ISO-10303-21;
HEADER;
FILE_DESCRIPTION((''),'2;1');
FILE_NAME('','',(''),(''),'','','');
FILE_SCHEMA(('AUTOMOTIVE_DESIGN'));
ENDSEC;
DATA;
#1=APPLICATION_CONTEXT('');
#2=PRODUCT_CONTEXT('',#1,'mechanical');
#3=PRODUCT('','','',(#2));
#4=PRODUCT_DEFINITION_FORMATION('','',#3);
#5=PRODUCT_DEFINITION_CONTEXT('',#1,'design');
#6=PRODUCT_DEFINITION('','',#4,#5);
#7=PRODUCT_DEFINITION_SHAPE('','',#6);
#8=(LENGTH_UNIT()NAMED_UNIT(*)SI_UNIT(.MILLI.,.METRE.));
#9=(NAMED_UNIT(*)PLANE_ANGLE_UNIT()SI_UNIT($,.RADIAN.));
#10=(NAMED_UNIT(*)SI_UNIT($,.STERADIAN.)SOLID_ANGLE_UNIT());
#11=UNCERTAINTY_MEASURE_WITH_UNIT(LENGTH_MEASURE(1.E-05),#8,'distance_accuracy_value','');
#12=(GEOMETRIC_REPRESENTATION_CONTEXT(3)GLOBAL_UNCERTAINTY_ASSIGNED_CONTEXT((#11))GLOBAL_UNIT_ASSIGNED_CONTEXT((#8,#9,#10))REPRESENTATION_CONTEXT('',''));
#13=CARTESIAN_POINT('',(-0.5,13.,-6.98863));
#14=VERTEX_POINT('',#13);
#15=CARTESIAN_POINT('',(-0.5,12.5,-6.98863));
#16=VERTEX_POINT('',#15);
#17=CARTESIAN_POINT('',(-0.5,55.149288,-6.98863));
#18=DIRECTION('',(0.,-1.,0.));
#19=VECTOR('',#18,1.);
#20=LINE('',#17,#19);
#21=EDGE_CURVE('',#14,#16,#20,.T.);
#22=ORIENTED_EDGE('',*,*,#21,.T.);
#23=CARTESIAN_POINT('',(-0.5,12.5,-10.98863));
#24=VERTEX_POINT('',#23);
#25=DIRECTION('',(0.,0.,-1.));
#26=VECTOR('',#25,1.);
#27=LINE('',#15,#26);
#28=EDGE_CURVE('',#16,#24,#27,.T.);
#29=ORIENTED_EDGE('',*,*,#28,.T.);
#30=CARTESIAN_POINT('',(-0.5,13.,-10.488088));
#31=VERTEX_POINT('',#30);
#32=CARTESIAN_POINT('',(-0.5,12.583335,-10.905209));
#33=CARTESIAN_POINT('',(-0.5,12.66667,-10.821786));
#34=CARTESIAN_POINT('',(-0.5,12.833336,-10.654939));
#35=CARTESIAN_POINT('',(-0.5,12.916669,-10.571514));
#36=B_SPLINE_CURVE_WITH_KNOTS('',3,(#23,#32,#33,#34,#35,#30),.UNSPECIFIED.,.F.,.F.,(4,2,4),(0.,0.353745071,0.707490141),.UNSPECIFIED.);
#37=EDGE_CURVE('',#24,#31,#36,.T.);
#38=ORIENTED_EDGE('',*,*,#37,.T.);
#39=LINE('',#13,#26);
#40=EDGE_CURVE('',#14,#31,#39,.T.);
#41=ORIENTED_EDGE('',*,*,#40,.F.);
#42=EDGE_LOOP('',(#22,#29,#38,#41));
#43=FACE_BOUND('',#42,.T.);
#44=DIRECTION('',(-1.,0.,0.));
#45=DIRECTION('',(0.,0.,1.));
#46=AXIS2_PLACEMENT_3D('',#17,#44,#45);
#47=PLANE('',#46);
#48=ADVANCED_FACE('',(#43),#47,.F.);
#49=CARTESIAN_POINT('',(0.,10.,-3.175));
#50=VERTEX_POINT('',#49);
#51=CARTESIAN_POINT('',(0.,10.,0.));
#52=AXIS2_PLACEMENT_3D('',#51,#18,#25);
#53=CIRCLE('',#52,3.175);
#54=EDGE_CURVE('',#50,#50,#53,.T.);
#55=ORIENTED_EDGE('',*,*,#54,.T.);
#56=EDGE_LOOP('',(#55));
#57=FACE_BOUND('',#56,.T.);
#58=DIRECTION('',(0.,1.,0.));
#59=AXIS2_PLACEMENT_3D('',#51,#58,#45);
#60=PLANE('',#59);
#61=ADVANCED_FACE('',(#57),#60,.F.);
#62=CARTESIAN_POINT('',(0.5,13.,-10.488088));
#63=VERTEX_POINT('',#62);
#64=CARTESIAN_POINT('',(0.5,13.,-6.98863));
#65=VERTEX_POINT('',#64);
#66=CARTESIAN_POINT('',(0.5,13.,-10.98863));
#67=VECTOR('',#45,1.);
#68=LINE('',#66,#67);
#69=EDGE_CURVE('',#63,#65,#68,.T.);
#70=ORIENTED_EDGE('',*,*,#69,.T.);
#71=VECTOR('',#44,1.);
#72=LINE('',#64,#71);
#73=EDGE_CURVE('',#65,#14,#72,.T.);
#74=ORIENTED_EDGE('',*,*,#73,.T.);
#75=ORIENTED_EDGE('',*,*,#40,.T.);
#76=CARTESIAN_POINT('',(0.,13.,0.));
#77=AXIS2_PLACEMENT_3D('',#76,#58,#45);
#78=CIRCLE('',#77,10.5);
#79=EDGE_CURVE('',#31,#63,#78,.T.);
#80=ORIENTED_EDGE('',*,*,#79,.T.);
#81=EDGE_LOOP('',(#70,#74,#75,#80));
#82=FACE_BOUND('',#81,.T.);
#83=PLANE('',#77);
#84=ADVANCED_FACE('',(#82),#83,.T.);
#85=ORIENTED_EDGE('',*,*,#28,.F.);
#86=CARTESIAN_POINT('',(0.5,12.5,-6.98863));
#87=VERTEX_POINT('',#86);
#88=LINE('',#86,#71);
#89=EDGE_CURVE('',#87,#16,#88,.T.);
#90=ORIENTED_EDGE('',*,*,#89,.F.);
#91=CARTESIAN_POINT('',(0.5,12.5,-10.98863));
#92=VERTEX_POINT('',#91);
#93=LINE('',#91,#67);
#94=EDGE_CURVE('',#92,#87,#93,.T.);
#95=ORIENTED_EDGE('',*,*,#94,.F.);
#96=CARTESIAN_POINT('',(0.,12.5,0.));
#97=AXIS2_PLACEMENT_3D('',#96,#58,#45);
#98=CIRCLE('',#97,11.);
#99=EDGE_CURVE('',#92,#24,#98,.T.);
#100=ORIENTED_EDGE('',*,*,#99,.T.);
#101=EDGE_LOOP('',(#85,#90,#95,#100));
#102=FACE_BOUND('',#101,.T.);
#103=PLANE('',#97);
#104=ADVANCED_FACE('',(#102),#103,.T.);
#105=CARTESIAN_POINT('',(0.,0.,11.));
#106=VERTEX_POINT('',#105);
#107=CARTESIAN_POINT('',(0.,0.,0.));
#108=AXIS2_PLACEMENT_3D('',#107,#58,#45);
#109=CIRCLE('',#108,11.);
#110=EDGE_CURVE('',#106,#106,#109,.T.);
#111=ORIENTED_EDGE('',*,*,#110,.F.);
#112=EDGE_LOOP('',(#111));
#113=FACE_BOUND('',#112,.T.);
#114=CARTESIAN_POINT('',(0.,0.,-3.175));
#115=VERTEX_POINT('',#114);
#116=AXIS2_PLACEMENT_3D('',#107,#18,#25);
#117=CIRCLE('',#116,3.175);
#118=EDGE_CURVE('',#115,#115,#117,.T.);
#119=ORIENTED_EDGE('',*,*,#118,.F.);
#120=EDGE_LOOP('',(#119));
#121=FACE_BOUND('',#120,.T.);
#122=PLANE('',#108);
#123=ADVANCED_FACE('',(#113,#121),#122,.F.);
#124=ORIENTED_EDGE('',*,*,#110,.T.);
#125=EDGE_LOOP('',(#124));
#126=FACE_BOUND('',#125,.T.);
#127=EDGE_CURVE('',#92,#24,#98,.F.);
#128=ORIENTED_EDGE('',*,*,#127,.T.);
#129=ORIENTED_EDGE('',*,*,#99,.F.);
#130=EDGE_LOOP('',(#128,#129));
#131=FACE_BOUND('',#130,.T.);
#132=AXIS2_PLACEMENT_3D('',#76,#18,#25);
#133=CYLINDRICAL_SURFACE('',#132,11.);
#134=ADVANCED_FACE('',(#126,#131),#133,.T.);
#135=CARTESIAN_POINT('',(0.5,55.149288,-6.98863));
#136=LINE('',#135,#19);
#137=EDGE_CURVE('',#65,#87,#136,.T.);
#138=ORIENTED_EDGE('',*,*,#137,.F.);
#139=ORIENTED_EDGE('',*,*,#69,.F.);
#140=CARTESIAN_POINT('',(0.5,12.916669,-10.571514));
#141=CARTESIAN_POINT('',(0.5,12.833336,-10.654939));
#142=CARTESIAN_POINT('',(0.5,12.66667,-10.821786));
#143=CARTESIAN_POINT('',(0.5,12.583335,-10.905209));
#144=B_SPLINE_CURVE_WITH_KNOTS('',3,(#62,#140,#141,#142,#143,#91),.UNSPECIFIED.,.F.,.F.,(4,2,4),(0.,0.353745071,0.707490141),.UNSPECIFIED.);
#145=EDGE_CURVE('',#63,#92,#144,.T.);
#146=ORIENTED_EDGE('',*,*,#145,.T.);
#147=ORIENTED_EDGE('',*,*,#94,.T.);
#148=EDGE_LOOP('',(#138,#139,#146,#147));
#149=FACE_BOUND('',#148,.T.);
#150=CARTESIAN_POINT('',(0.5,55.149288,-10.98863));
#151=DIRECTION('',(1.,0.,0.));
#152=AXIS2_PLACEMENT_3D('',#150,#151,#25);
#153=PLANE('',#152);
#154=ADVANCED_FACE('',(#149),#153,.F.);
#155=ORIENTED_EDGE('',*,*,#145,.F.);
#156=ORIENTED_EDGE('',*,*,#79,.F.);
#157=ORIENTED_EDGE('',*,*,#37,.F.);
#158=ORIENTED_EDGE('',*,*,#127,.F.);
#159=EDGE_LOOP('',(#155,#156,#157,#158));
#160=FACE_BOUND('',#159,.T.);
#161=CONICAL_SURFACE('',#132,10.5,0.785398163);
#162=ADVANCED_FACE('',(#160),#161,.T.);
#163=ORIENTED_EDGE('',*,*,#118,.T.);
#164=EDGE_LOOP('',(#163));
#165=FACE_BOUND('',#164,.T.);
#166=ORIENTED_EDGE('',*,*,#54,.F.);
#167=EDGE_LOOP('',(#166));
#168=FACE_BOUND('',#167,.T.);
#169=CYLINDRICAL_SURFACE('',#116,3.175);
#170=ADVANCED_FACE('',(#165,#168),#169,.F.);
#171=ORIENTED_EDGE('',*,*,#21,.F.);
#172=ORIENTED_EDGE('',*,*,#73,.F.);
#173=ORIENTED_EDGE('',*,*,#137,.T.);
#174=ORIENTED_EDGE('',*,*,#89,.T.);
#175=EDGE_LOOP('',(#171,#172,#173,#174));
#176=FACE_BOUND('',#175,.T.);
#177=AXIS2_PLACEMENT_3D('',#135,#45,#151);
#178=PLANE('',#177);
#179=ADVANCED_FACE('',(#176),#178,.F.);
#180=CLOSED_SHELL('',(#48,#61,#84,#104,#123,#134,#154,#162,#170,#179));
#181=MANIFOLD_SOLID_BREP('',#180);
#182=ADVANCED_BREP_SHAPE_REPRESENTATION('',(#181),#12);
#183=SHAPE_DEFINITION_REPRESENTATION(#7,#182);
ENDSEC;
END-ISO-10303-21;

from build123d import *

# Parameters (mm, degrees)
SKETCH1_R               = 11
BOSS_EXTRUDE1_DEPTH     = 13
HOLE1_D                 = 6.35
HOLE1_DEPTH             = 10
CUT_EXTRUDE2_DEPTH      = 21.273134933
CUT_EXTRUDE2_DEPTH_BACK = 0.5
CHAMFER1_SIZE           = 0.5


with BuildPart() as part:
    # Sketch1 → Boss-Extrude1 (new body)
    with BuildSketch(Plane(origin=(0, 0, 0), x_dir=(1, 0, 0), z_dir=(0, 1, 0))):
        with Locations(Location((0, 0, 0), (0, 0, 90))):
            Circle(SKETCH1_R)
    extrude(amount=BOSS_EXTRUDE1_DEPTH)

    # Hole1
    with Locations(Plane(origin=(0, 0, 0), x_dir=(-1, 0, 0), z_dir=(0, -1, 0))):
        with Locations((0, 0)):
            Hole(HOLE1_D / 2, depth=HOLE1_DEPTH)

    # Sketch5 → Cut-Extrude2 (cut, two sides: drawn at the far end of the back side and taken through both)
    with BuildSketch(Plane(origin=(0, 13, 0), x_dir=(1, 0, 0), z_dir=(0, 1, 0)).offset(-CUT_EXTRUDE2_DEPTH_BACK)):
        Polygon((0.5, 70.617246053), (0.5, 10.988630488), (0.5, 6.988630488), (-0.5, 6.988630488), (-0.5, 10.988630488), (-0.5, 70.617246053), (-0.5, 189.874477184), (0.5, 189.874477184), align=None)
    extrude(amount=CUT_EXTRUDE2_DEPTH + CUT_EXTRUDE2_DEPTH_BACK, mode=Mode.SUBTRACT)

    # Chamfer1
    chamfer1_edges = [part.edges().sort_by_distance(p)[0] for p in [
        (0, 13, 11),
    ]]
    chamfer(chamfer1_edges, length=CHAMFER1_SIZE)


solid = part.part
